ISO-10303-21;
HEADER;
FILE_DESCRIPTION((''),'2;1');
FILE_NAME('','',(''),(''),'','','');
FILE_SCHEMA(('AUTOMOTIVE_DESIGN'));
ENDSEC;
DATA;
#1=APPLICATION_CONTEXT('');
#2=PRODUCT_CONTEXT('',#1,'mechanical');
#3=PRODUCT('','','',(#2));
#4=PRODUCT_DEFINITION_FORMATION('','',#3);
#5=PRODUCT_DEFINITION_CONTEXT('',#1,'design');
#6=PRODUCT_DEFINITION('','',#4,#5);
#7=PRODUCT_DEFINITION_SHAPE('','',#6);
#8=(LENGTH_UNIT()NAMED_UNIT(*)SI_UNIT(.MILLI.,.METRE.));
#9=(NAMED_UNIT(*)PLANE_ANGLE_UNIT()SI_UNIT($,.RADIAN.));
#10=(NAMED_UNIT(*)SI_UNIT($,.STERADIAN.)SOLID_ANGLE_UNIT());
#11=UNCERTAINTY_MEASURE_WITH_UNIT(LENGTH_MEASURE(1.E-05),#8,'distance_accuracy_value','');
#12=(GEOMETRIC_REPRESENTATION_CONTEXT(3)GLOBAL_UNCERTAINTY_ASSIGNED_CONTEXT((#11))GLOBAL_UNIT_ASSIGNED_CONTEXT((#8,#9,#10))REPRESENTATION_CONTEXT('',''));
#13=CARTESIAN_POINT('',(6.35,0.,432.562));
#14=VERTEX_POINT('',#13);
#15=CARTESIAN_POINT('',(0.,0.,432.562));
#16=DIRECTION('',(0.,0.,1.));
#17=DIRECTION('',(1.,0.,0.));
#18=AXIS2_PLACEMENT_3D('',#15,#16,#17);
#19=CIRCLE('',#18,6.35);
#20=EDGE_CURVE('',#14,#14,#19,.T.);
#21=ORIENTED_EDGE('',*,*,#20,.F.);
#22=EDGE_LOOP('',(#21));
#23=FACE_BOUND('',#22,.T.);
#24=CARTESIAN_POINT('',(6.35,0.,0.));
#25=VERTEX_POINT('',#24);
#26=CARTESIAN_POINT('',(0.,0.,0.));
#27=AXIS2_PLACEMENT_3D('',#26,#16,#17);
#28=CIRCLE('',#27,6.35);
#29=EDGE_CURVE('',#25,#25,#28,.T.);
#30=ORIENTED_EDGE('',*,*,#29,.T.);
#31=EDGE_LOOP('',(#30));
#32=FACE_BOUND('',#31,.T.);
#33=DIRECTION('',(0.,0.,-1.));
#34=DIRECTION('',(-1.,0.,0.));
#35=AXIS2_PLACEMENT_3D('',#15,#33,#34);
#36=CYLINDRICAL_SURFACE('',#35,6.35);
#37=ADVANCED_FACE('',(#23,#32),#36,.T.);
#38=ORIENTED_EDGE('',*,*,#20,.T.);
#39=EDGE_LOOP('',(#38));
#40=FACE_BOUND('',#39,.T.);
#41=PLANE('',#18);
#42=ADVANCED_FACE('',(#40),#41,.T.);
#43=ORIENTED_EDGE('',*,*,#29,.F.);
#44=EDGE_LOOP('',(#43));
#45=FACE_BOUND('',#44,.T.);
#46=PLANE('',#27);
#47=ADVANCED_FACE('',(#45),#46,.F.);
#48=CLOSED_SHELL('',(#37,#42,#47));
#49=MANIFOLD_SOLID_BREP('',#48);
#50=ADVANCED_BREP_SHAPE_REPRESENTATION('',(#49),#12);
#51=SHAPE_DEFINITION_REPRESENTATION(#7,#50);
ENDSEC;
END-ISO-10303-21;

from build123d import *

# Parameters (mm, degrees)
SKETCH1_R           = 6.35
BOSS_EXTRUDE1_DEPTH = 432.562


with BuildPart() as part:
    # Sketch1 → Boss-Extrude1 (new body)
    with BuildSketch(Plane.XY):
        Circle(SKETCH1_R)
    extrude(amount=BOSS_EXTRUDE1_DEPTH)


solid = part.part
